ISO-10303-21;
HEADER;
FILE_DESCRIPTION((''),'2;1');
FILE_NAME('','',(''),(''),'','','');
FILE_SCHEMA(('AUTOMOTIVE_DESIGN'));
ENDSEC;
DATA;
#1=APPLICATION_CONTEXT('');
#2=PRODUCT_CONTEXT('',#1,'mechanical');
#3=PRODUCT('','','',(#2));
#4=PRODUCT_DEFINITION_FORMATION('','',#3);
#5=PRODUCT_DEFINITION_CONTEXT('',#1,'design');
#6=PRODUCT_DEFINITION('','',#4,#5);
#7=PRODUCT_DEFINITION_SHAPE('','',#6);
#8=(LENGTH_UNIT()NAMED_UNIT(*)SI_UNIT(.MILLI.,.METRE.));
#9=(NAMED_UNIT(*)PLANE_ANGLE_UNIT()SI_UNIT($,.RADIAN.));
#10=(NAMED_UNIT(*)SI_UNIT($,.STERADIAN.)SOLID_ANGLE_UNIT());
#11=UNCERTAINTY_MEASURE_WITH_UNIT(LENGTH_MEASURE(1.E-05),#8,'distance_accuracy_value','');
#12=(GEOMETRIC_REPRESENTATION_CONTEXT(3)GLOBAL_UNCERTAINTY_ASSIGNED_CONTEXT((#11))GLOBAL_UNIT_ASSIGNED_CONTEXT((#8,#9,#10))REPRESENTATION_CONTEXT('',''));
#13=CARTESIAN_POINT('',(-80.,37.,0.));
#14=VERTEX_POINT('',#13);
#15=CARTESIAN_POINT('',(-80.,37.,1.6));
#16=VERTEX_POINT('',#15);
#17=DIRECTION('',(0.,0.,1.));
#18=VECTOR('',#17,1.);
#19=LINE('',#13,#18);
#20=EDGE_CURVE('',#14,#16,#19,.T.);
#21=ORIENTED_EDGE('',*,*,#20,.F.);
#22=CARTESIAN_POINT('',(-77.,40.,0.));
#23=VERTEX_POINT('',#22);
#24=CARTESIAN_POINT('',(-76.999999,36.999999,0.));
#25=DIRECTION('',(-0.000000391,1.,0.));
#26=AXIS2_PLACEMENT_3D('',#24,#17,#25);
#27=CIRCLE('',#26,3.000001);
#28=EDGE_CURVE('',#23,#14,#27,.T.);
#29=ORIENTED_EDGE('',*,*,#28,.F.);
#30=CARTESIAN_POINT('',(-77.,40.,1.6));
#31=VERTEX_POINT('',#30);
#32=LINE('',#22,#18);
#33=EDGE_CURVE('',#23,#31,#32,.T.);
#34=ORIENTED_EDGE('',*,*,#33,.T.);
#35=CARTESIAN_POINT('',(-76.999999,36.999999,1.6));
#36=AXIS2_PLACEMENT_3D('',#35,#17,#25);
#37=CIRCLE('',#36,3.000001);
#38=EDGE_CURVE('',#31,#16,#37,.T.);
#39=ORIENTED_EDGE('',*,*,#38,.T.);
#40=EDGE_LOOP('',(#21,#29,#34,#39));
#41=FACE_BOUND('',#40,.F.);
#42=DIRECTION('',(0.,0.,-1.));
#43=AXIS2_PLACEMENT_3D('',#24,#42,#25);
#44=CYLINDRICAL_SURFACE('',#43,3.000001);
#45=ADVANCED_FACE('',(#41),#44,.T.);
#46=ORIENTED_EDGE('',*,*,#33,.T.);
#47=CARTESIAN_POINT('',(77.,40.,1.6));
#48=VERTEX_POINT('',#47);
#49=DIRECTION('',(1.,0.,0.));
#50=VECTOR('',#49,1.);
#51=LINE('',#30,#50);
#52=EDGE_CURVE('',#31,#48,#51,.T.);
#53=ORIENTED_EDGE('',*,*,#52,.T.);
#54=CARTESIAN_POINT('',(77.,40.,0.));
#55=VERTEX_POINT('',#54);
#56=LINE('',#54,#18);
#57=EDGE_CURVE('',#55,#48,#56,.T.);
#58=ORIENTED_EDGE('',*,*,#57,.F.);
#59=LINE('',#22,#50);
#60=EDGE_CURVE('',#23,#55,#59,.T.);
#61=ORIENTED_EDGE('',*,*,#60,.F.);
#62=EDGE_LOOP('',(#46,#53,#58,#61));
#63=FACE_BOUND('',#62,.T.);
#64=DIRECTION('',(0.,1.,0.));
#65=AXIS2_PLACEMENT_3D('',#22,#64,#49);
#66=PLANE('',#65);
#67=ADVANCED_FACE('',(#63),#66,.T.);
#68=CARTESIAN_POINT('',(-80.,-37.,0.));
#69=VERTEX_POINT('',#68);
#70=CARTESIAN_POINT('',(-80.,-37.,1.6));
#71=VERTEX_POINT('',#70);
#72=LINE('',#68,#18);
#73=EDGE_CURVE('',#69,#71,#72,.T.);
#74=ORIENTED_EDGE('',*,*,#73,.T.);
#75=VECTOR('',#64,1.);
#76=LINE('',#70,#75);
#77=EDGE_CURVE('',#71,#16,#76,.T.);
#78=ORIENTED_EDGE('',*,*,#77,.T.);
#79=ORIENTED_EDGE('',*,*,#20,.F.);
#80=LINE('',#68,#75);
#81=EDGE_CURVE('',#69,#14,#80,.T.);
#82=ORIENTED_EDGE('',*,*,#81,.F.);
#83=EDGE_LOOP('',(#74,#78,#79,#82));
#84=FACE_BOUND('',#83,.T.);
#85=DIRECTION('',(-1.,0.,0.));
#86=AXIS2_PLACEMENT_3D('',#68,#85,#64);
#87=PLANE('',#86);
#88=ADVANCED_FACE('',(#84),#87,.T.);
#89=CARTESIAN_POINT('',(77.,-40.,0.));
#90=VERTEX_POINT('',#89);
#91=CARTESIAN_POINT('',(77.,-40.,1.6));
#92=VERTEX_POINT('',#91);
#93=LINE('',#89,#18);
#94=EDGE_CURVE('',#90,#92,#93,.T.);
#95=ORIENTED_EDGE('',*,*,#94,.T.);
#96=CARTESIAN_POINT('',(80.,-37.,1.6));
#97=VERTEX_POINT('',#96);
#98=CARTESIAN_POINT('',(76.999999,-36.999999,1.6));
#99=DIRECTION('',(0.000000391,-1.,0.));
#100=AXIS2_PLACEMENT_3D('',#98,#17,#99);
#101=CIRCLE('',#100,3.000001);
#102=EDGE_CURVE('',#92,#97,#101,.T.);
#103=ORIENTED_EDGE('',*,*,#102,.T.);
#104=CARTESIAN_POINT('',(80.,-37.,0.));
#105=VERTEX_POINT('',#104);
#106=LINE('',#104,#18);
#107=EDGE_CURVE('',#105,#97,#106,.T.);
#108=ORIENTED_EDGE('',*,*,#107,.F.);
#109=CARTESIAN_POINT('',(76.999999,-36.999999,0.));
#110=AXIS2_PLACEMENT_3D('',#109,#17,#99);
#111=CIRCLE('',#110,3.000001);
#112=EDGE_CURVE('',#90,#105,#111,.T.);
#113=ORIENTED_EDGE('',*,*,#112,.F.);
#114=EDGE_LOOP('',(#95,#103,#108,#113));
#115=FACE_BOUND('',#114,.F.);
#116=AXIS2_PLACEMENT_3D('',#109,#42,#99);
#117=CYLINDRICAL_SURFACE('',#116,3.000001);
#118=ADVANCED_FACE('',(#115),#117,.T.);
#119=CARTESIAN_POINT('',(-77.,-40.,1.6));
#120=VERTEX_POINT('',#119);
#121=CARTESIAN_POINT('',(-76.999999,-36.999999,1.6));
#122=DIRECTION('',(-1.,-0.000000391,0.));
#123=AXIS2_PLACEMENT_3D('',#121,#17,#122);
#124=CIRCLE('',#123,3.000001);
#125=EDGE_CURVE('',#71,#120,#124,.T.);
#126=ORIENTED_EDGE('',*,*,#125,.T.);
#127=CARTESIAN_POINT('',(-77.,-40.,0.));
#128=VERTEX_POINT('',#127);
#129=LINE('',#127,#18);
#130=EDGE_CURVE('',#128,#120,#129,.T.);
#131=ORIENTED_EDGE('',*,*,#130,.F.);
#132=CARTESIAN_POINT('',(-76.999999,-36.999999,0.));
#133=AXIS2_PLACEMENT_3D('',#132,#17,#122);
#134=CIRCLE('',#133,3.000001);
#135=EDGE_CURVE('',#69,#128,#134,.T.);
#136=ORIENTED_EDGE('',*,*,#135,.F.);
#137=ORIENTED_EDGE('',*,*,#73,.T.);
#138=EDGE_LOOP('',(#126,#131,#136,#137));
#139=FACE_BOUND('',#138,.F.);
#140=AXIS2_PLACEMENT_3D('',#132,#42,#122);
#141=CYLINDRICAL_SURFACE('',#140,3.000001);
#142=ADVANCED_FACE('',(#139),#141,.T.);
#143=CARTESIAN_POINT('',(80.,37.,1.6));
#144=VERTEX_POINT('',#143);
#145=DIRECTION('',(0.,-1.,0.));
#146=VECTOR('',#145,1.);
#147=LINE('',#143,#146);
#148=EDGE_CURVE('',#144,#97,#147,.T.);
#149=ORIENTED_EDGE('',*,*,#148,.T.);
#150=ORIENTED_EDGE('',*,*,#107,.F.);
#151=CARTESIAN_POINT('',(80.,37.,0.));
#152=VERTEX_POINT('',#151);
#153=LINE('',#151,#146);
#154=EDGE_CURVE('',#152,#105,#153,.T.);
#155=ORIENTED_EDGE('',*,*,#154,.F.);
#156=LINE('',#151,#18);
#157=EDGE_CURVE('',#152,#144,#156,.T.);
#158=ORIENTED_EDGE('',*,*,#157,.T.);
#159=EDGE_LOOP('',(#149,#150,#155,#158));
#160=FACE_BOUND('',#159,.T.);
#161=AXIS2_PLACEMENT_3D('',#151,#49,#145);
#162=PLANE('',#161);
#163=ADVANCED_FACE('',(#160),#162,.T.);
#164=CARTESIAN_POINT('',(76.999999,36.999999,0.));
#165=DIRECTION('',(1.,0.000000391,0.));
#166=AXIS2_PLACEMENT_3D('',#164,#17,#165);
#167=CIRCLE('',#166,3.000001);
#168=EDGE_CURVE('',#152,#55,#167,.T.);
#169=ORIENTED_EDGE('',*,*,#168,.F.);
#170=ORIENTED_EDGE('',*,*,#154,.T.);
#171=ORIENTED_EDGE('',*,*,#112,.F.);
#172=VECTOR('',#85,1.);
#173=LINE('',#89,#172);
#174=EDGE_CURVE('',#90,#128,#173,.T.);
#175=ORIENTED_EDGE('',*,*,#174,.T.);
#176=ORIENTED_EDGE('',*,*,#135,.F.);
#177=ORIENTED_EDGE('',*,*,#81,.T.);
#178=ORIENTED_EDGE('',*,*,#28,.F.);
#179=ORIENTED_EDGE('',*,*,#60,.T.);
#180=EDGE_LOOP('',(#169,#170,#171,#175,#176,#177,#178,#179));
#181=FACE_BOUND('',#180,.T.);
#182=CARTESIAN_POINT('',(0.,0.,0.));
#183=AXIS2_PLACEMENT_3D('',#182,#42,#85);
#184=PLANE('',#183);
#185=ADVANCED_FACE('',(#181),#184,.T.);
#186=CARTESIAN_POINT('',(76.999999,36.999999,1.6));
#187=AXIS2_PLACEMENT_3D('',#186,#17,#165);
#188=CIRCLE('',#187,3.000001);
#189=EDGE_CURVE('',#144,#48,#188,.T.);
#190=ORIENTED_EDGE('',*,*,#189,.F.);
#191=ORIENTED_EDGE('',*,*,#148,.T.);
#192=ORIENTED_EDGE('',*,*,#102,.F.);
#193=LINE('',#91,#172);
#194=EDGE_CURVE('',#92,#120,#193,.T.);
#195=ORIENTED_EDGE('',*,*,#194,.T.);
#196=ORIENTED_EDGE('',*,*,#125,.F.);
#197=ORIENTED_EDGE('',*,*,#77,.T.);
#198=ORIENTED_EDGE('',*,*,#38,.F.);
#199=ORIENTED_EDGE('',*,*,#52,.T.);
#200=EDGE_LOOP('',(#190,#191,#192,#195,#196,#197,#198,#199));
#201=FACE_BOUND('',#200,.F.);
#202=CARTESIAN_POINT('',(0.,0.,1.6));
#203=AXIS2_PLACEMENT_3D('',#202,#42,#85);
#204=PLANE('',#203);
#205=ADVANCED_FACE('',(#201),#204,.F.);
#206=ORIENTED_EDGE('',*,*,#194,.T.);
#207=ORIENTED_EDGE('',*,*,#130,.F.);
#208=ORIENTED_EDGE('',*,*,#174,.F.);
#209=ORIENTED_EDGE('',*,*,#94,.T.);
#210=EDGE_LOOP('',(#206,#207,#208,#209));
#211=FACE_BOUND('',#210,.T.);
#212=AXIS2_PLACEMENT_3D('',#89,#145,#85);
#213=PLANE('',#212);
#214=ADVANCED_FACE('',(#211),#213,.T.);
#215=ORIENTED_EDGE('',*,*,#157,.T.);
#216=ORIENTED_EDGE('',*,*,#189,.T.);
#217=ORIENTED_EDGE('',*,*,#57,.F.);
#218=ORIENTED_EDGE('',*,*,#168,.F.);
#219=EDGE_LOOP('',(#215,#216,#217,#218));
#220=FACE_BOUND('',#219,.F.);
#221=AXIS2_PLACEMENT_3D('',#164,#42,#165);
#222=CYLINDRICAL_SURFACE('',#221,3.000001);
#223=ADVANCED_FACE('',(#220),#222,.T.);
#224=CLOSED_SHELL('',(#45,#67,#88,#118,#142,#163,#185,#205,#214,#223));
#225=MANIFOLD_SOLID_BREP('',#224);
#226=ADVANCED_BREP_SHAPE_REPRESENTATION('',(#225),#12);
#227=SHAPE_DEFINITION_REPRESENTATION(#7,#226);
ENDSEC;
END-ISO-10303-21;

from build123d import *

# Parameters (mm, degrees)
PAD_DEPTH = 1.6


with BuildPart() as part:
    # Sketch → Pad (new body)
    with BuildSketch(Plane.XY):
        with BuildLine():
            Line((-77, 40), (77, 40))
            ThreePointArc((80, 37), (79.12132, 39.12132), (77, 40))
            Line((80, 37), (80, -37))
            ThreePointArc((77, -40), (79.12132, -39.12132), (80, -37))
            Line((77, -40), (-77, -40))
            ThreePointArc((-80, -37), (-79.12132, -39.12132), (-77, -40))
            Line((-80, -37), (-80, 37))
            ThreePointArc((-77, 40), (-79.12132, 39.12132), (-80, 37))
        make_face()
    extrude(amount=PAD_DEPTH)


solid = part.part
